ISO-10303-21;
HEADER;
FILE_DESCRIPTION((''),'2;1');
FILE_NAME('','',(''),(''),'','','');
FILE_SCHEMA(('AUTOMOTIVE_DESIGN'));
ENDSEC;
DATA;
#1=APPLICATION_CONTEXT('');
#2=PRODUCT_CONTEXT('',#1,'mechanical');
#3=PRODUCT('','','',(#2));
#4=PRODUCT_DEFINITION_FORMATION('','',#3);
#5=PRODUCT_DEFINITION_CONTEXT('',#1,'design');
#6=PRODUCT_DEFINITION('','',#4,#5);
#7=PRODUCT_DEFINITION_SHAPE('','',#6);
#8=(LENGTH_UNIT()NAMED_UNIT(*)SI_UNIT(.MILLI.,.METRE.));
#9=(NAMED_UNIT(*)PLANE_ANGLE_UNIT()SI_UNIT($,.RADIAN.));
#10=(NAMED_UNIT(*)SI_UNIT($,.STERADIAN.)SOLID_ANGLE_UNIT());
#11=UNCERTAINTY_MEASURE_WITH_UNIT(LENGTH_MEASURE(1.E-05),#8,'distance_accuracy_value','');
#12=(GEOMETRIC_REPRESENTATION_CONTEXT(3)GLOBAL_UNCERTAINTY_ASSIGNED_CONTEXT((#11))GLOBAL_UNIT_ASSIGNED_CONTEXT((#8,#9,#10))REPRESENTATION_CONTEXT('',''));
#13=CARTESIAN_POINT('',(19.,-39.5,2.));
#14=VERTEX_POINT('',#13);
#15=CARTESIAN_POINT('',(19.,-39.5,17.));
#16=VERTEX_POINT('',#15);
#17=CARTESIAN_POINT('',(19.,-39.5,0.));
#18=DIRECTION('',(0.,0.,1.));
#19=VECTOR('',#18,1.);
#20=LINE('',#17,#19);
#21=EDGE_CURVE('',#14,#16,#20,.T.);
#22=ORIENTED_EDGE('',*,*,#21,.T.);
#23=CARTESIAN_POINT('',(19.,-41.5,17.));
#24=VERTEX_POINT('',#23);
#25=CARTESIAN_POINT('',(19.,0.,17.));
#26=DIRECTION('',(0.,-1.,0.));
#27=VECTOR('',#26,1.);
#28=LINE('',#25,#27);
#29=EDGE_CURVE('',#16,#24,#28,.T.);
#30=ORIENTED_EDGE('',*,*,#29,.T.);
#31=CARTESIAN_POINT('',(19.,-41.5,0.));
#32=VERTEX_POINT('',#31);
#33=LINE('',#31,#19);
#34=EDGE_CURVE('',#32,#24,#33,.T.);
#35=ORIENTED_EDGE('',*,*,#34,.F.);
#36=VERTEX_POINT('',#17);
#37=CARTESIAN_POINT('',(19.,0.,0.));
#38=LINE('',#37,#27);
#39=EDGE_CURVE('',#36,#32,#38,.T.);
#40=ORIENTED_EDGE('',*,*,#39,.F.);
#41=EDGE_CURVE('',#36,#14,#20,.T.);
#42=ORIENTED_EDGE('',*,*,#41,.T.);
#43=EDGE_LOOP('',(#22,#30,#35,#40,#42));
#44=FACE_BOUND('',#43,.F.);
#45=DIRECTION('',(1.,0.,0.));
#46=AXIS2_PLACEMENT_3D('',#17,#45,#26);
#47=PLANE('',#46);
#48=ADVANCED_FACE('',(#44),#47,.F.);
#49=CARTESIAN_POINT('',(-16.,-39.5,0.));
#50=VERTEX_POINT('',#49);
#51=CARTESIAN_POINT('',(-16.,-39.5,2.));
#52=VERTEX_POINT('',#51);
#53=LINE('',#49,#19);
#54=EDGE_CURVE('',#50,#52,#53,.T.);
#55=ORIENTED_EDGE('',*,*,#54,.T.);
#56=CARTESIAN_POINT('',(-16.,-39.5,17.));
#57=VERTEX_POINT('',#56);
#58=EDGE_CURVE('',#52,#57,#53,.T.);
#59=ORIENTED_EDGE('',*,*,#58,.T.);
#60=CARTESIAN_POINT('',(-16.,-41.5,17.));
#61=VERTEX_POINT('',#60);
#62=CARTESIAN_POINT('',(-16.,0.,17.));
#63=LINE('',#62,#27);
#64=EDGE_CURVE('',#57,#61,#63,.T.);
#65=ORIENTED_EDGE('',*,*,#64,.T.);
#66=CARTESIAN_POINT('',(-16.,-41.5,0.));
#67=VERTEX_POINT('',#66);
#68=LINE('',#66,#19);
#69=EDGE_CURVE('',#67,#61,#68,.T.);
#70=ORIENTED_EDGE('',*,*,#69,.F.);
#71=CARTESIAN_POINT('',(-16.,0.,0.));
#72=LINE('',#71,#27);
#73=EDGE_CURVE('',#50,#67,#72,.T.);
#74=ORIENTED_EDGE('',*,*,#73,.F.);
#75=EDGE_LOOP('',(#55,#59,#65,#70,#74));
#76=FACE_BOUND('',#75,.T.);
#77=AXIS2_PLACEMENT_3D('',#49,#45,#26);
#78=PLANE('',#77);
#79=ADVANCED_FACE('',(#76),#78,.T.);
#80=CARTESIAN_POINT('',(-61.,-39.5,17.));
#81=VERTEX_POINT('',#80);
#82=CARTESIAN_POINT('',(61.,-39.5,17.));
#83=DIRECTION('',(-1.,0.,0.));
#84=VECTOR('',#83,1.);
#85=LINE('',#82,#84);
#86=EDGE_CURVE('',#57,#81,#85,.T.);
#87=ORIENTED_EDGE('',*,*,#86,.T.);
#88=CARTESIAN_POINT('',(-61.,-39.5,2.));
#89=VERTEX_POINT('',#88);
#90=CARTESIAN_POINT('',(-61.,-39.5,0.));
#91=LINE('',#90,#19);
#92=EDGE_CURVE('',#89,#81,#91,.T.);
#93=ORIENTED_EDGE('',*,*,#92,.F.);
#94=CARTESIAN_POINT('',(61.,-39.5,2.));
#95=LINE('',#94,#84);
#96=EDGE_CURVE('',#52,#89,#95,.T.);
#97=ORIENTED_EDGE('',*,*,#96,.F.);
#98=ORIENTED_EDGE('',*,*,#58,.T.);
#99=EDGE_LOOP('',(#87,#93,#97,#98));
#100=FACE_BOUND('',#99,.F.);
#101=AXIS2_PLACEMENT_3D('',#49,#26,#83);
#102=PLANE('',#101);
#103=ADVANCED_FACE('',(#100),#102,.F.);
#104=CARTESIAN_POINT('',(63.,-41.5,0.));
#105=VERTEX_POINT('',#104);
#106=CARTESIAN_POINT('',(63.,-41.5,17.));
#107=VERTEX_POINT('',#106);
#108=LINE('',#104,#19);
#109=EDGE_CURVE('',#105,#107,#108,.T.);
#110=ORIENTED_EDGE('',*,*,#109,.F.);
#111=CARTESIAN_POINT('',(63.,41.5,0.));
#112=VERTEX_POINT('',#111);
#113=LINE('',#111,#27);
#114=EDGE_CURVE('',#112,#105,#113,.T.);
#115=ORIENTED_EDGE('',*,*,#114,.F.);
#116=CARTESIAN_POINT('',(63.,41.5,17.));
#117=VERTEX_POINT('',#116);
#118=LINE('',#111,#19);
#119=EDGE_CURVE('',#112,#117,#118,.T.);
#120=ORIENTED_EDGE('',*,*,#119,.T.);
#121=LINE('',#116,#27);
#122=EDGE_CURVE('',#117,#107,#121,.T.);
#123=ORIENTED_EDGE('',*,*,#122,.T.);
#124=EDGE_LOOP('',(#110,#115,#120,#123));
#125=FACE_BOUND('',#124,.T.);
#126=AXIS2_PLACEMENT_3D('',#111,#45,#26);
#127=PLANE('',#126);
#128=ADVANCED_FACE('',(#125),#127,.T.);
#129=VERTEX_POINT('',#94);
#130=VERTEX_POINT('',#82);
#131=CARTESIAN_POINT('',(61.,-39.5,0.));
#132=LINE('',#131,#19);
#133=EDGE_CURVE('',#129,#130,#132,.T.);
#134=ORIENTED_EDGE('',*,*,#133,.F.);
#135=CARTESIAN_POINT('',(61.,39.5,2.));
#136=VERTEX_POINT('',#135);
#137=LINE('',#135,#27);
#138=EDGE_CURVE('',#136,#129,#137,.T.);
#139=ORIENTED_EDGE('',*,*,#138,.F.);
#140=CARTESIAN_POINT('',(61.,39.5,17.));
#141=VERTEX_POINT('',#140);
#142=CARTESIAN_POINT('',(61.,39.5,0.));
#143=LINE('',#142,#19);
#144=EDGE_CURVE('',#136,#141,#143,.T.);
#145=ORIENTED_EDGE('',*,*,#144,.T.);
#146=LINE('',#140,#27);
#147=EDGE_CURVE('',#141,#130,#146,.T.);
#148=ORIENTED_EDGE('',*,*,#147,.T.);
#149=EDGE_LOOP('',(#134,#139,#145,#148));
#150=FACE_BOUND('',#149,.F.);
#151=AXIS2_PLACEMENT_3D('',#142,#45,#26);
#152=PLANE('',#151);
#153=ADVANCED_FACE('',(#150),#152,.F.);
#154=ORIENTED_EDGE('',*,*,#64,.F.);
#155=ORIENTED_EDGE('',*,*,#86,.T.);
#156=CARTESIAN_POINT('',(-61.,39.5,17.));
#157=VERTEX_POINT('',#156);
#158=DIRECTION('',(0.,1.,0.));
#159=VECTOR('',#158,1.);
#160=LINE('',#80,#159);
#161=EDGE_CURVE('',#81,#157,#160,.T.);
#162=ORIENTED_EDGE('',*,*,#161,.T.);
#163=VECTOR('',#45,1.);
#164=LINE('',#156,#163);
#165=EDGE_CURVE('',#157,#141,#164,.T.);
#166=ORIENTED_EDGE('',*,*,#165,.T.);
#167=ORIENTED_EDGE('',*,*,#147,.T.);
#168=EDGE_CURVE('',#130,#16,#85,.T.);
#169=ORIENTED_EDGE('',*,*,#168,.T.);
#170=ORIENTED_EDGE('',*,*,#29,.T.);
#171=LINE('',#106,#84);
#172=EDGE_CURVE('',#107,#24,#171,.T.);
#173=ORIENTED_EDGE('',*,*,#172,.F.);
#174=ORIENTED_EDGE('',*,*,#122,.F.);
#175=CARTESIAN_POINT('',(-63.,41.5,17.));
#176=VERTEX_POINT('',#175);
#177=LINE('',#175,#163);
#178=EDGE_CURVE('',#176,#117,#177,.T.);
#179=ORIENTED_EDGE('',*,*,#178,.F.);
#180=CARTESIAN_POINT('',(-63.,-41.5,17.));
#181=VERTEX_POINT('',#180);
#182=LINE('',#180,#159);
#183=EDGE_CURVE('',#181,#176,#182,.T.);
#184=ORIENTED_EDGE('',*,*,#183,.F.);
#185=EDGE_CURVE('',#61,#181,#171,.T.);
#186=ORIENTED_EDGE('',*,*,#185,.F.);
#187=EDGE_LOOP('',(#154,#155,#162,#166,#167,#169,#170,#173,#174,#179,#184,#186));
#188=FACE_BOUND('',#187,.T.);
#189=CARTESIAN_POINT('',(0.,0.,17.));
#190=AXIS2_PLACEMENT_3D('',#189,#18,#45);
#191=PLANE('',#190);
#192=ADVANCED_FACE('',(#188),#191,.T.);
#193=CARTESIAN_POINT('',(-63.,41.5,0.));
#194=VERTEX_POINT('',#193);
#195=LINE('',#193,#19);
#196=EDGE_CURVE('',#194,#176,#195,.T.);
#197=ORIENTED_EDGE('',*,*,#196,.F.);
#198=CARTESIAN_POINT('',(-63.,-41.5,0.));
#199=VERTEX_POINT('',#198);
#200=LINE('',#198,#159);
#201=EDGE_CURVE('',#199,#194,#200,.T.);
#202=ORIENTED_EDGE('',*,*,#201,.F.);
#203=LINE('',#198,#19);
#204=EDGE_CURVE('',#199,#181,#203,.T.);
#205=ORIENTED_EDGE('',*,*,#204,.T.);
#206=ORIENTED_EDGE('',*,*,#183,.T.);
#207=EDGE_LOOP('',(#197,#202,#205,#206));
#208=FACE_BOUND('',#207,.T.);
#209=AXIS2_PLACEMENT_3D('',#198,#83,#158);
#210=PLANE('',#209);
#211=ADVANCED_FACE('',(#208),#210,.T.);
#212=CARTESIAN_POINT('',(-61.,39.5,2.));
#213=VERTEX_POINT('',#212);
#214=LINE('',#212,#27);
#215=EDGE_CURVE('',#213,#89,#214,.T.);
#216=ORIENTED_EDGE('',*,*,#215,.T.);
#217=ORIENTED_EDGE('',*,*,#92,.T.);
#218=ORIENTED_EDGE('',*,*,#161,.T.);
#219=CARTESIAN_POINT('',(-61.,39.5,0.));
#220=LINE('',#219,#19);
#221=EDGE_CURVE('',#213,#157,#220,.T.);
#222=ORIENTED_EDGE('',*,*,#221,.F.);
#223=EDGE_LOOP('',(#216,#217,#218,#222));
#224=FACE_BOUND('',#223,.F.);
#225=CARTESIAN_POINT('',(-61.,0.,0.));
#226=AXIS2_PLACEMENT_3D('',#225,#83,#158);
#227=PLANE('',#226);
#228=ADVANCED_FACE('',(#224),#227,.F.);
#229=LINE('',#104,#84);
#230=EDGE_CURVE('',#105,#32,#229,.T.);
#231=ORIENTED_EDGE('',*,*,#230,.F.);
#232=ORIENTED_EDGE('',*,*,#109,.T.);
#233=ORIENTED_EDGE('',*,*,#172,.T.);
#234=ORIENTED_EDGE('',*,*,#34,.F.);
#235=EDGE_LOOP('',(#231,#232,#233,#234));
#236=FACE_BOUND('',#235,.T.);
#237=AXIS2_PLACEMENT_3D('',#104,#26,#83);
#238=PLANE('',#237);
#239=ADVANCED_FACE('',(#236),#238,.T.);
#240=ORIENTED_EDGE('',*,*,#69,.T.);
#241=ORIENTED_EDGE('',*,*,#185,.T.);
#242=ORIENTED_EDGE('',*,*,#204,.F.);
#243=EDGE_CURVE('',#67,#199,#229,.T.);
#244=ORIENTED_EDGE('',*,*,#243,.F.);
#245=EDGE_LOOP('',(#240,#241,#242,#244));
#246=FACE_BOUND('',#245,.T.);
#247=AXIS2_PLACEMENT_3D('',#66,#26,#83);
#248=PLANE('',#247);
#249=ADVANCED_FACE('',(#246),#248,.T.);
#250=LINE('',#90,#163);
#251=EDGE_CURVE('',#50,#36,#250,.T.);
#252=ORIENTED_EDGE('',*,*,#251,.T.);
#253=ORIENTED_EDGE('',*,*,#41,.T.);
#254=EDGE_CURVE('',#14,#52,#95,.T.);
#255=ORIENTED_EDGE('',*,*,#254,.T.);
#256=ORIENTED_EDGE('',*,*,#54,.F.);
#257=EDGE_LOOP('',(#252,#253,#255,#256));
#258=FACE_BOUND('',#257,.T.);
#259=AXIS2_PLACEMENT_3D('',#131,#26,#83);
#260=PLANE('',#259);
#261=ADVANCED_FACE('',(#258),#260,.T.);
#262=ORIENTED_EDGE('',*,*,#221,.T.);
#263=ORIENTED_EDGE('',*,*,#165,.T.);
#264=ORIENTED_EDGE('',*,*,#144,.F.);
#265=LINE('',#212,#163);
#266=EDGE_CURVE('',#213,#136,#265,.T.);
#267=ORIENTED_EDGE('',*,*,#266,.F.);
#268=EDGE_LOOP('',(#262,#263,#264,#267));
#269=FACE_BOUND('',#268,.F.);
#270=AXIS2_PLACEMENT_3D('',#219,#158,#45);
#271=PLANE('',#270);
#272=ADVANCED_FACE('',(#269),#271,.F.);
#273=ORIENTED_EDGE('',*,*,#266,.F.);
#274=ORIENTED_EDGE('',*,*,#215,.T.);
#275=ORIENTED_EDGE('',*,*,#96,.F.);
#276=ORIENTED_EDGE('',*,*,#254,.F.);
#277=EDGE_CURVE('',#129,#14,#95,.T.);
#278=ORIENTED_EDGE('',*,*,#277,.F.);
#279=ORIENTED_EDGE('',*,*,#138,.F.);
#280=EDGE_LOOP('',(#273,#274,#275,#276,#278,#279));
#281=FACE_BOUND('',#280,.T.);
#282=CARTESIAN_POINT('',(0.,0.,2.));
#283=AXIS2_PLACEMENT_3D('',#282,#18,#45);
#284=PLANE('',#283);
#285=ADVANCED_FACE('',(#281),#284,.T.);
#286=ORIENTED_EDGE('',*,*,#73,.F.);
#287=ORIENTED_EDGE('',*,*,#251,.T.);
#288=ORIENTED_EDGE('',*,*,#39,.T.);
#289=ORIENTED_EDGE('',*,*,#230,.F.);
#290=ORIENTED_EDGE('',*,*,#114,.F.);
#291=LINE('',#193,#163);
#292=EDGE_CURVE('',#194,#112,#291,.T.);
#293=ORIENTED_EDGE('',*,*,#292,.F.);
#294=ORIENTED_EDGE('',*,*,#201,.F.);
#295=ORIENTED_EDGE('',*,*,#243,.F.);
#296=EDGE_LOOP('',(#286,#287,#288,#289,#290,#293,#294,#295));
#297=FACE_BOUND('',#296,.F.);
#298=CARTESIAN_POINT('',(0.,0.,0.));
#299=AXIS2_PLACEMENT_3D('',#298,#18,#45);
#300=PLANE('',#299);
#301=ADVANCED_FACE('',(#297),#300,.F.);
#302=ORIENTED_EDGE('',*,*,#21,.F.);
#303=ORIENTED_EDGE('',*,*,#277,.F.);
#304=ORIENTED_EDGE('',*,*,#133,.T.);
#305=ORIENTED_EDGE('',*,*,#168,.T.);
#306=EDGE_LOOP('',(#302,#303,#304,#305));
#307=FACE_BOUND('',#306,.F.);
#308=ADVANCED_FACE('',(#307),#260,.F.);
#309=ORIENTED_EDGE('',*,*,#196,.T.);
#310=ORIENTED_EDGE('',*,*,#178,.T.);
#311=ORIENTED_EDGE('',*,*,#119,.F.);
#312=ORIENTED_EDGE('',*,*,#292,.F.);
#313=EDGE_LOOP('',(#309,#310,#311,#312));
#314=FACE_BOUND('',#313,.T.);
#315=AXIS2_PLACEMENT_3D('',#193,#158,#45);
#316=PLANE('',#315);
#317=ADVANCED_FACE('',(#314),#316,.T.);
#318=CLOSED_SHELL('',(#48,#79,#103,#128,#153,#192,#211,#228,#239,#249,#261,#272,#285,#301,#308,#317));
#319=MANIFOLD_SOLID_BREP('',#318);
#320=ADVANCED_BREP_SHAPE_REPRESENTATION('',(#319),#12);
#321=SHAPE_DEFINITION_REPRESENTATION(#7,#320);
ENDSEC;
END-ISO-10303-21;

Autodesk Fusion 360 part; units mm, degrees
sketch "Sketch1" plane through (0, 0, 0) normal (0, 0, 1) x (1, 0, 0) in component "stand"
  line L0 (61, -39.5) -> (-61, -39.5)
  line L1 (-61, -39.5) -> (-61, 39.5)
  line L2 (-61, 39.5) -> (61, 39.5)
  line L3 (61, 39.5) -> (61, -39.5)
  line L4 (61, -39.5) -> (-61, 39.5) construction
  line L5 (-61, -39.5) -> (61, 39.5) construction
  line L6 (63, -41.5) -> (-63, -41.5)
  line L7 (-63, -41.5) -> (-63, 41.5)
  line L8 (-63, 41.5) -> (63, 41.5)
  line L9 (63, 41.5) -> (63, -41.5)
  line L10 (-61, 0) -> (-16, 0)
  line L11 (-61, 0) -> (19, 0)
  line L12 (-16, 0) -> (-16, -41.5)
  line L13 (19, 0) -> (19, -41.5)
  line L14 (-61, 39.5) -> (61, 39.5)
  line L15 (-61, 0) -> (19, 0)
  line L16 (-63, 41.5) -> (63, 41.5)
  line L17 (-63, -41.5) -> (-63, 41.5)
  line L18 (-61, 0) -> (-16, 0)
  line L19 (63, 41.5) -> (63, -41.5)
  line L20 (61, 39.5) -> (61, -39.5)
  line L21 (-16, 0) -> (-16, -41.5)
  line L22 (61, -39.5) -> (-61, -39.5)
  line L23 (63, -41.5) -> (-63, -41.5)
  line L24 (-61, -39.5) -> (-61, 39.5)
  line L25 (61, -39.5) -> (-61, 39.5) construction
  line L26 (19, 0) -> (19, -41.5)
  line L27 (-61, -39.5) -> (61, 39.5) construction
  dimension "d1" = 122
  dimension "d2" = 79
  dimension "d3" = -2
  dimension "d4" = 45
  dimension "d5" = 80
  dimension "d10" = -2
  dimension "d11" = 122
  dimension "d12" = 79
  dimension "d13" = 45
  dimension "d14" = 80
extrude "Extrude1" add sketch "Sketch1" along normal blind 17 contours L0 L1 L2 L3 L6 L7 L8 L9 L12 L13 L14 L16 L17 L19 L20 L21 L22 L23 L24 L26 in component "stand"
extrude "Extrude2" add sketch "Sketch1" along normal blind 2 contours L0 L1 L2 L3 L10 L11 L13 L14 L15 L18 L20 L22 L24 L26 | L0 L11 L12 L13 L15 L21 L22 L26 | L0 L1 L10 L11 L12 L15 L18 L21 L22 L24 in component "stand"
component "stand" placed x (1, 0, 0) y (0, 1, 0) z (0, 0, 1) at (0, 0, 0)
